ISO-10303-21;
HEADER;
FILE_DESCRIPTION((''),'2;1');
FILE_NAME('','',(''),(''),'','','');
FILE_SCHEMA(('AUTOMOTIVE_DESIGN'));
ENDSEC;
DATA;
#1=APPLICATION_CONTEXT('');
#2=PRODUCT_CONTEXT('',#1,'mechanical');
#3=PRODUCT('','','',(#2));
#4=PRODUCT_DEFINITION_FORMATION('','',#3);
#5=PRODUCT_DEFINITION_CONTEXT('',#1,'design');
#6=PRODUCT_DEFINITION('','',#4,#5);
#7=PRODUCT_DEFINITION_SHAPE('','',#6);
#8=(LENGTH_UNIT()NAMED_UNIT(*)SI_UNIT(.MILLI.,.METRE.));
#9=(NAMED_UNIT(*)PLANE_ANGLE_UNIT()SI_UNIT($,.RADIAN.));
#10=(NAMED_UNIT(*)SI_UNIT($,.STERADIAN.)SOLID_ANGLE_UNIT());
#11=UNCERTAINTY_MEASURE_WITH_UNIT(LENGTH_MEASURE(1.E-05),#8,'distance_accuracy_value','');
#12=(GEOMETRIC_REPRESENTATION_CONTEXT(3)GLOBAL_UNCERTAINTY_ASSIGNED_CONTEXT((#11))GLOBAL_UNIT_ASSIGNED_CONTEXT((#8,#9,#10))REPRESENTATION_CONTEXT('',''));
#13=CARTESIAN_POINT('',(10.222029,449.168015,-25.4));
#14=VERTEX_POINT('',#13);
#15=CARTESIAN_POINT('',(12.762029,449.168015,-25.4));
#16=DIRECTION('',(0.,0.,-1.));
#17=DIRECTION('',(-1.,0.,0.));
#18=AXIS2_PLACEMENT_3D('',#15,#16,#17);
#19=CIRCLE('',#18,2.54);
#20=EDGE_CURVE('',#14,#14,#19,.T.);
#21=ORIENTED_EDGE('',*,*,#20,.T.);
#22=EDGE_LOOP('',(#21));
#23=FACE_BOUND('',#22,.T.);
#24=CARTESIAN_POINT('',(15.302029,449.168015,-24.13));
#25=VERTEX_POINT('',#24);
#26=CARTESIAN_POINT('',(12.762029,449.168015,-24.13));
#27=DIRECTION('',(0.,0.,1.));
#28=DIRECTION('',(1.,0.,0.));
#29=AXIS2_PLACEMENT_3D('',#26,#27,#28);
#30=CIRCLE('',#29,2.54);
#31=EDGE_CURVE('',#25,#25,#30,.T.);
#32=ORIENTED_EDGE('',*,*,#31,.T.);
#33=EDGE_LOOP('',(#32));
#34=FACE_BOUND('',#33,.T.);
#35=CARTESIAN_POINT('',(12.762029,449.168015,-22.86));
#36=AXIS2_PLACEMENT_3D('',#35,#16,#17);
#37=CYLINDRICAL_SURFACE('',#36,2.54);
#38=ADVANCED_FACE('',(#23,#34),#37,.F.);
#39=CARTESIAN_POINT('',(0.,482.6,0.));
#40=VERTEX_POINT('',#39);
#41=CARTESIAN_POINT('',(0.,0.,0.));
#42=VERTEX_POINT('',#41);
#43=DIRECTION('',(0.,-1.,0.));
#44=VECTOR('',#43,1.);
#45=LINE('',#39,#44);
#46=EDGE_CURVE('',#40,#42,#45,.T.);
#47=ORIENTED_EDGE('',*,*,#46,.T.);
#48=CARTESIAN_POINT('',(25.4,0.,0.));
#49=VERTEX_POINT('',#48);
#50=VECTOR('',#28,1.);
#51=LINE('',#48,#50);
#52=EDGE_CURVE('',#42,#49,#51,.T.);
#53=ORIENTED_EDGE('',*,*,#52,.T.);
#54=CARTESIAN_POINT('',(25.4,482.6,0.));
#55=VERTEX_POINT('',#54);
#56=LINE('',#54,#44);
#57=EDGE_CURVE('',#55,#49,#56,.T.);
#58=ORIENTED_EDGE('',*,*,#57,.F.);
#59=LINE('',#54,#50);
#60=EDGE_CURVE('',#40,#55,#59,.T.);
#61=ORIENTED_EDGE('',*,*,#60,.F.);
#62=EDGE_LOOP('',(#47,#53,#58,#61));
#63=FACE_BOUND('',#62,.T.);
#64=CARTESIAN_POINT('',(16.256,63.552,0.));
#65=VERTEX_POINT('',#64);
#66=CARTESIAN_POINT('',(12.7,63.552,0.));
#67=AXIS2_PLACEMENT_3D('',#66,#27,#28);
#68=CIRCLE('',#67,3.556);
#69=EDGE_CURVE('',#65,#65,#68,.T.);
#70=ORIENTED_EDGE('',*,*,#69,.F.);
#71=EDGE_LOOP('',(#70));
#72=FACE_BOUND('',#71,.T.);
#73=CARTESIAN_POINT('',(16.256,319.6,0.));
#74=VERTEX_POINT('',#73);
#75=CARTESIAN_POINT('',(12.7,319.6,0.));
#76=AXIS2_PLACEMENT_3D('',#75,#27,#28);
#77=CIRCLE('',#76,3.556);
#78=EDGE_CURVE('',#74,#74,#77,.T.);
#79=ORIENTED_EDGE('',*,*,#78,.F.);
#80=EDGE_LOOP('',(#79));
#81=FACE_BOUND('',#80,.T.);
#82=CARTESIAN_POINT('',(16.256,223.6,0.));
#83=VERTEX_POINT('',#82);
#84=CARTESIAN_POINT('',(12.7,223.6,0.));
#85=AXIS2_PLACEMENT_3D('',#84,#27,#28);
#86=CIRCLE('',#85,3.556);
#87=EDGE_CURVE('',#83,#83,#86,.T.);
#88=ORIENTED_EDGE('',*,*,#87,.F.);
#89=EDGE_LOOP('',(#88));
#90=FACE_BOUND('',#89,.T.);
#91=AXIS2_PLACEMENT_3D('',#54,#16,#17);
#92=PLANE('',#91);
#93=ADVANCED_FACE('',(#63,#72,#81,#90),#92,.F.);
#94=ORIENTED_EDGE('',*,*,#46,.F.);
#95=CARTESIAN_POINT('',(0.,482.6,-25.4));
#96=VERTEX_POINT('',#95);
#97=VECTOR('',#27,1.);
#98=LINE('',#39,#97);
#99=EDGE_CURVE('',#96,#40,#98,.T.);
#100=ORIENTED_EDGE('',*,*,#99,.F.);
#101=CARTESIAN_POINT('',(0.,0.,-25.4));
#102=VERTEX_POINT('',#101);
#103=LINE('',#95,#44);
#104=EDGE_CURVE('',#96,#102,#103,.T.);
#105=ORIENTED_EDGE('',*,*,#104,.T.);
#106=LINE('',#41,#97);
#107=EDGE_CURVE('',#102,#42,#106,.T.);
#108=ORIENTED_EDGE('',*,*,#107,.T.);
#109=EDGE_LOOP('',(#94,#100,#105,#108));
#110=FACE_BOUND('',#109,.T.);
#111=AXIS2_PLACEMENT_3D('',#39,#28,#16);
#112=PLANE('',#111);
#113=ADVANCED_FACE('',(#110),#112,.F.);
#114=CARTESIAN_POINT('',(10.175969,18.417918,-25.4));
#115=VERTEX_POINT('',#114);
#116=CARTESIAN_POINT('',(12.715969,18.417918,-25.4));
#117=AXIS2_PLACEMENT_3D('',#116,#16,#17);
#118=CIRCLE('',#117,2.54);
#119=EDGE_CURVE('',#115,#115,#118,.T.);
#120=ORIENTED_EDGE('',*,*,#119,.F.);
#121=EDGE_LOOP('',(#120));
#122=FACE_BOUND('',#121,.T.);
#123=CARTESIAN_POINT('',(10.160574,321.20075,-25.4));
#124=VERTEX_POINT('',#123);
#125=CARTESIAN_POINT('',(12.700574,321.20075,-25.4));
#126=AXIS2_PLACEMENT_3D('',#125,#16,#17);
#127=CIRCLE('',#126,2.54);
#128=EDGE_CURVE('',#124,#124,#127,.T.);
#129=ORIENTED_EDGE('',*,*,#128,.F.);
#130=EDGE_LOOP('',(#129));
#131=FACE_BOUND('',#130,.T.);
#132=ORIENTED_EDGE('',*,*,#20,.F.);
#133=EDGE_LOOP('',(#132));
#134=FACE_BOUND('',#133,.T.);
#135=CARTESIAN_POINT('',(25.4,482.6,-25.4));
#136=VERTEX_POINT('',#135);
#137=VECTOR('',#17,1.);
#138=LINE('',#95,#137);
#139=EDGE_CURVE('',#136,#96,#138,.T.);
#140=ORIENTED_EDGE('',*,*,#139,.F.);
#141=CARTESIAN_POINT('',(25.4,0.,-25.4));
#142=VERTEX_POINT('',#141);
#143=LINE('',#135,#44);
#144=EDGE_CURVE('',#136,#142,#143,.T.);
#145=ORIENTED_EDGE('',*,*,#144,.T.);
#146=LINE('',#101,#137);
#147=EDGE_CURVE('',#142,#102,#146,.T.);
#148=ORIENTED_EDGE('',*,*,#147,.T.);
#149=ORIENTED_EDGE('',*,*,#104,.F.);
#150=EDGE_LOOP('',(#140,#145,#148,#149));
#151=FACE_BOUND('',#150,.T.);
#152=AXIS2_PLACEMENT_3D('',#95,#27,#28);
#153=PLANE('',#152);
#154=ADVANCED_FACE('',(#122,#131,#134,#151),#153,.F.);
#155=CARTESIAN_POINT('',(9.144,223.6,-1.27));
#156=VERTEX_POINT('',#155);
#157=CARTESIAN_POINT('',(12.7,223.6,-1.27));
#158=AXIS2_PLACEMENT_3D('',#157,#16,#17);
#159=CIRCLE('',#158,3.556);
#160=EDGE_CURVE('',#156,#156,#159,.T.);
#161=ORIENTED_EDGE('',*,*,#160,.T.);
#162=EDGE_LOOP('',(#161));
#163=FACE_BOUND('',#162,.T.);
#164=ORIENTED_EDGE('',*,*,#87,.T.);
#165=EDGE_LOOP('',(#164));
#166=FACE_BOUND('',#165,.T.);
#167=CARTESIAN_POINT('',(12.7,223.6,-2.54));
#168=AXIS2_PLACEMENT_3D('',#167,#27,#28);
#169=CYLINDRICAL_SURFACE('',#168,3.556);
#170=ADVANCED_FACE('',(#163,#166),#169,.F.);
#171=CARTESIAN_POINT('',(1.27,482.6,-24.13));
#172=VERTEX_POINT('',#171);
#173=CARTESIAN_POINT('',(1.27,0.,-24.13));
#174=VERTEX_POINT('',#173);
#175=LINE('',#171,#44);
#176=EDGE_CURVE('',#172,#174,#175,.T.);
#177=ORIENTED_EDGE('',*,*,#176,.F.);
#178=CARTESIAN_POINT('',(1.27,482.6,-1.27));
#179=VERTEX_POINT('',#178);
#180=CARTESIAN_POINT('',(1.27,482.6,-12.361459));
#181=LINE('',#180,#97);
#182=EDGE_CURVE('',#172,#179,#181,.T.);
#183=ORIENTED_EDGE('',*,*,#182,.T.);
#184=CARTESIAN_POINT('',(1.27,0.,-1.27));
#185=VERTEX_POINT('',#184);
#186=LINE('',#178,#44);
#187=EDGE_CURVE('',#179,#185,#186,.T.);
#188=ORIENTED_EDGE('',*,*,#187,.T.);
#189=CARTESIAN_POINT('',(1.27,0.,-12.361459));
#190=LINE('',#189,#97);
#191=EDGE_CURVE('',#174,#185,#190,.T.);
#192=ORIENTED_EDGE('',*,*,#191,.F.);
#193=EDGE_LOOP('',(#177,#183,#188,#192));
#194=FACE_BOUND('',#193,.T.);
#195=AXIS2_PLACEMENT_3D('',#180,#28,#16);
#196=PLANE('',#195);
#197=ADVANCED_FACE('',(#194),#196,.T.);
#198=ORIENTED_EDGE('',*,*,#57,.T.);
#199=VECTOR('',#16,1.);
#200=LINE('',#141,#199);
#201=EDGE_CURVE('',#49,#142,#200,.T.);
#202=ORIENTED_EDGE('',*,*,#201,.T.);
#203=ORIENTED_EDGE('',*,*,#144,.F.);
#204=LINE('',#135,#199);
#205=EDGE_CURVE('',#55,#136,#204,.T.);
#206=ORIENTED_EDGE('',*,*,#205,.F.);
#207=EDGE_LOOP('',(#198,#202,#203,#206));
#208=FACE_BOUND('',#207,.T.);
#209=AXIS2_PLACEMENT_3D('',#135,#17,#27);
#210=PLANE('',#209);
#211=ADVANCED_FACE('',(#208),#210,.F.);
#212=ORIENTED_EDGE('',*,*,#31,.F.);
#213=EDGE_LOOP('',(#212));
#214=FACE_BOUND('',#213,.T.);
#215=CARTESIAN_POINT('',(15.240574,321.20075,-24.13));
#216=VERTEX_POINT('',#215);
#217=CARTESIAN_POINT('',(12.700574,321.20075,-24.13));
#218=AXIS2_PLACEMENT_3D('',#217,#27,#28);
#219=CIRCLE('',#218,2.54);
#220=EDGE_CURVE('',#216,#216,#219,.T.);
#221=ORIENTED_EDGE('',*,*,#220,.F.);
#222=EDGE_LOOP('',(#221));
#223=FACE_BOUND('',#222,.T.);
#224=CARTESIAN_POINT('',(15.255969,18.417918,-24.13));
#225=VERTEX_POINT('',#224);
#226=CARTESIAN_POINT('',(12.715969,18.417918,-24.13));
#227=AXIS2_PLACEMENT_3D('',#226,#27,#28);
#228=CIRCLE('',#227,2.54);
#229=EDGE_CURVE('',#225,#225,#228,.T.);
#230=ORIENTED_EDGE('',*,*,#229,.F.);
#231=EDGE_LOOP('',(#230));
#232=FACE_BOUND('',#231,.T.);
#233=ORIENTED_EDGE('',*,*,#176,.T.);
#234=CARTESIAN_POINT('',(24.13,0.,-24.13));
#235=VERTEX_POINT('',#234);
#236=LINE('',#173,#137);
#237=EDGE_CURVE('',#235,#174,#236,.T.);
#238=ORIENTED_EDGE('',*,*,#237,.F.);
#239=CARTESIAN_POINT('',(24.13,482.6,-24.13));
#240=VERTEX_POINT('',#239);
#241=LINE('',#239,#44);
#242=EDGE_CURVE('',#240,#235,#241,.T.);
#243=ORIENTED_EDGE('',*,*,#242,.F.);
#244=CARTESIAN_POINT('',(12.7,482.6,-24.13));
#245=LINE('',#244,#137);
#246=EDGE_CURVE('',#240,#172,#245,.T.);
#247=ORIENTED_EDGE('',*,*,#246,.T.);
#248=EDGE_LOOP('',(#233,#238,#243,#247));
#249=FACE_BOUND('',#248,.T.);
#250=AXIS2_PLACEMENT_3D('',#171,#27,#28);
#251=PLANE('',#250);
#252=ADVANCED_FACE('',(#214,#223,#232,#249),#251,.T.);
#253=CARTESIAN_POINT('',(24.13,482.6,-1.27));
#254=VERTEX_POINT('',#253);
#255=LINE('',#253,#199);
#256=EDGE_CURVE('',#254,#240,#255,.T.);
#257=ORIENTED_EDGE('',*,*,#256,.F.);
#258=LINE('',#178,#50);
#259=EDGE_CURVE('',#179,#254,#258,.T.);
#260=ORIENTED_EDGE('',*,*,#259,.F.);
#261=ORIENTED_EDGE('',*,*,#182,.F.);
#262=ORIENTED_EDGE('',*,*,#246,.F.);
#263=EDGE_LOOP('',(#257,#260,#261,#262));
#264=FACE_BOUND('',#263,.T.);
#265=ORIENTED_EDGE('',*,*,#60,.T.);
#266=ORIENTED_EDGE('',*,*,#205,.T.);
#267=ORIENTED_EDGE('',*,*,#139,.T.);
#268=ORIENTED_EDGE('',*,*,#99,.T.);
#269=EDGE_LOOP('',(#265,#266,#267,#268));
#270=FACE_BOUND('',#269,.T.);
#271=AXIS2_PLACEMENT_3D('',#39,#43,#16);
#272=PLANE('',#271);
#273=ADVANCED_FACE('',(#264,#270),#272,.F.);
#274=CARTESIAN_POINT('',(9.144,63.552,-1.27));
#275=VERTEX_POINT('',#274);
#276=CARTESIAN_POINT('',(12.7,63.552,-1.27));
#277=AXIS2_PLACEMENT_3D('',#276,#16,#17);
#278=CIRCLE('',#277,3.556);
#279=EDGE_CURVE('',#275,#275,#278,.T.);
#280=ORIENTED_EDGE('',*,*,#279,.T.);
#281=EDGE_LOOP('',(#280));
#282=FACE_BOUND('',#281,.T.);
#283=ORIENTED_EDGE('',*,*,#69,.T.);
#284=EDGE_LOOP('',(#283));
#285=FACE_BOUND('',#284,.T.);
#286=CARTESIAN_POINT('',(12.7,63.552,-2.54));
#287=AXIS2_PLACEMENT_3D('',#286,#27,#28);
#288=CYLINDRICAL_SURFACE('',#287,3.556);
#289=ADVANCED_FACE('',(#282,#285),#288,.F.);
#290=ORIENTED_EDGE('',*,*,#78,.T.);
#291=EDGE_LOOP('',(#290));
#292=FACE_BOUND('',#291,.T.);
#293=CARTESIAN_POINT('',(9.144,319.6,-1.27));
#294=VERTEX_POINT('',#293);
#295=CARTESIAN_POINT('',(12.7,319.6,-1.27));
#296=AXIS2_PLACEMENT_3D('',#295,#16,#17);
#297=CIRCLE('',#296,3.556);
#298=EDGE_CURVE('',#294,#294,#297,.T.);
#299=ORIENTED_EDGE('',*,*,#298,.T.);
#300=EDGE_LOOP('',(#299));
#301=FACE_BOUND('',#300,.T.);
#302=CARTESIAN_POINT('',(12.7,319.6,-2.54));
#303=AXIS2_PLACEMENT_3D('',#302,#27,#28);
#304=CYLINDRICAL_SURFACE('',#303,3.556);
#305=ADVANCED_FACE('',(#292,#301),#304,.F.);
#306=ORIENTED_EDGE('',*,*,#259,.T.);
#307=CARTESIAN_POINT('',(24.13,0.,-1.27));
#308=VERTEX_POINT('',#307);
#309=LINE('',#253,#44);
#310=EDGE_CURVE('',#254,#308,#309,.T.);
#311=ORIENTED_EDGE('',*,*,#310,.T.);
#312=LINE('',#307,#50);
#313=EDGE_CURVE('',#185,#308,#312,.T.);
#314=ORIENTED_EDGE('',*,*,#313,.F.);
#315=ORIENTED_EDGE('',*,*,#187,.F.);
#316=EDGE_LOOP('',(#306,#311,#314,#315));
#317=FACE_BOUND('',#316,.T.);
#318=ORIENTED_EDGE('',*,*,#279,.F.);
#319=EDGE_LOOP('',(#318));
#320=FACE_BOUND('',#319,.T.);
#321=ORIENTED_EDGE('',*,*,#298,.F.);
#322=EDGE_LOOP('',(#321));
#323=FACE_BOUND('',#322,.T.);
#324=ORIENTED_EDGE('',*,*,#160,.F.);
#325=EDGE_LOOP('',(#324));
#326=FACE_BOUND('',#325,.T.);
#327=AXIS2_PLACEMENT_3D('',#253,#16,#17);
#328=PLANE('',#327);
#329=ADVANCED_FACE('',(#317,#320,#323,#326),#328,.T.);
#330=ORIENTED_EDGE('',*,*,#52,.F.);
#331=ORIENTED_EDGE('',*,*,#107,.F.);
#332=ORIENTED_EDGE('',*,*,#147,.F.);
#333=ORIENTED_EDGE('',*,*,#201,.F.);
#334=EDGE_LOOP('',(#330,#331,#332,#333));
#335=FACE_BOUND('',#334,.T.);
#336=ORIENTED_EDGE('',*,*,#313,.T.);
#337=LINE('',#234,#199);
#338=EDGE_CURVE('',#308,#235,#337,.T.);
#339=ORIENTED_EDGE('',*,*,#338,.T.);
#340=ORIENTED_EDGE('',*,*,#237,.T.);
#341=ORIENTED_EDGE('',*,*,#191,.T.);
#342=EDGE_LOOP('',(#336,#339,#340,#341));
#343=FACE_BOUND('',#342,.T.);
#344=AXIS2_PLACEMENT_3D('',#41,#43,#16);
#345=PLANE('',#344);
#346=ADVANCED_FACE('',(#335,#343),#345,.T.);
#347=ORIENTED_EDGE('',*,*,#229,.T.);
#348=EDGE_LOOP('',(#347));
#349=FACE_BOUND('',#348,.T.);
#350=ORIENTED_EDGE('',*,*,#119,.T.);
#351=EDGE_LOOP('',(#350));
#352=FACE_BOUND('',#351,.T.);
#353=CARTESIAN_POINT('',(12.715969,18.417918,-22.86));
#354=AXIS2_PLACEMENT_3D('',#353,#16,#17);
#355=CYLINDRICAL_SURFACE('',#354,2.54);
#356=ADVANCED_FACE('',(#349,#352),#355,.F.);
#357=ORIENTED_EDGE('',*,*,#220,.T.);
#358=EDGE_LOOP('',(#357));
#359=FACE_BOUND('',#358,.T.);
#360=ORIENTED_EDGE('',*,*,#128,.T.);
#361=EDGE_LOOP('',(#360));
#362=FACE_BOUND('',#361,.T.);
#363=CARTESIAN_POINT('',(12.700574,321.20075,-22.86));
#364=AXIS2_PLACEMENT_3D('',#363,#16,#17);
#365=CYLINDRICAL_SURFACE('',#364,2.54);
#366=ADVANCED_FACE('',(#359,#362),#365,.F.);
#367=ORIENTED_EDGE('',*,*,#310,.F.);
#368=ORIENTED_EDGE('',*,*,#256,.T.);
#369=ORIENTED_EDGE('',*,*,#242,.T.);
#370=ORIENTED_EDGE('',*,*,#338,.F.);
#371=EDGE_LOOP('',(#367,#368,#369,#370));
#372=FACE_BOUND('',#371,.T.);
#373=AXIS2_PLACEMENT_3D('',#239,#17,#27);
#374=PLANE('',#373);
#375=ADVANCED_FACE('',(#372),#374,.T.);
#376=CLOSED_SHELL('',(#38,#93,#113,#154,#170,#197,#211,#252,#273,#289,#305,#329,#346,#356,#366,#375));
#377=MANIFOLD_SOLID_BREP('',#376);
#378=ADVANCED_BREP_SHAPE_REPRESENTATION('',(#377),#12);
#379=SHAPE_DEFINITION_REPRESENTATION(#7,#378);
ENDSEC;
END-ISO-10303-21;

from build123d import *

# Parameters (mm, degrees)
SKETCH1_W           = 25.4
SKETCH1_H           = 25.4
BOSS_EXTRUDE1_DEPTH = 482.6
SKETCH3_R           = 2.54
CUT_EXTRUDE1_DEPTH  = 2.54
SKETCH4_R           = 2.54
CUT_EXTRUDE2_DEPTH  = 2.54
SKETCH5_R           = 2.54
CUT_EXTRUDE3_DEPTH  = 2.54
SKETCH6_R           = 3.556
CUT_EXTRUDE4_DEPTH  = 2.54
SKETCH7_R           = 3.556
CUT_EXTRUDE5_DEPTH  = 2.54


with BuildPart() as part:
    # Sketch1 → Boss-Extrude1 (new body)
    with BuildSketch(Plane(origin=(0, 0, 0), x_dir=(1, 0, 0), z_dir=(0, 1, 0))):
        with Locations((12.7, 12.7)):
            Rectangle(SKETCH1_W, SKETCH1_H)
        Polygon((1.27, 12.361459156), (1.27, 24.13), (12.7, 24.13), (24.13, 24.13), (24.13, 12.7), (24.13, 1.27), (12.7, 1.27), (1.27, 1.27), align=None, mode=Mode.SUBTRACT)
    extrude(amount=BOSS_EXTRUDE1_DEPTH)

    # Sketch3 → Cut-Extrude1 (cut)
    with BuildSketch(Plane(origin=(0, 0, -25.4), x_dir=(-1, 0, 0), z_dir=(0, 0, -1))):
        with Locations((-12.762028981, 449.168015032)):
            Circle(SKETCH3_R)
    extrude(amount=-CUT_EXTRUDE1_DEPTH, mode=Mode.SUBTRACT)

    # Sketch4 → Cut-Extrude2 (cut)
    with BuildSketch(Plane(origin=(0, 0, -25.4), x_dir=(-1, 0, 0), z_dir=(0, 0, -1))):
        with Locations((-12.70057371, 321.200750094)):
            Circle(SKETCH4_R)
    extrude(amount=-CUT_EXTRUDE2_DEPTH, mode=Mode.SUBTRACT)

    # Sketch5 → Cut-Extrude3 (cut)
    with BuildSketch(Plane(origin=(0, 0, -25.4), x_dir=(-1, 0, 0), z_dir=(0, 0, -1))):
        with Locations((-12.715968996, 18.41791766)):
            Circle(SKETCH5_R)
    extrude(amount=-CUT_EXTRUDE3_DEPTH, mode=Mode.SUBTRACT)

    # Sketch6 → Cut-Extrude4 (cut)
    with BuildSketch(Plane.XY):
        with Locations((12.7, 63.552)):
            Circle(SKETCH6_R)
    extrude(amount=-CUT_EXTRUDE4_DEPTH, mode=Mode.SUBTRACT)

    # Sketch7 → Cut-Extrude5 (cut)
    with BuildSketch(Plane.XY):
        with Locations((12.7, 223.6)):
            Circle(SKETCH7_R)
        with Locations((12.7, 319.6)):
            Circle(SKETCH7_R)
    extrude(amount=-CUT_EXTRUDE5_DEPTH, mode=Mode.SUBTRACT)


solid = part.part
